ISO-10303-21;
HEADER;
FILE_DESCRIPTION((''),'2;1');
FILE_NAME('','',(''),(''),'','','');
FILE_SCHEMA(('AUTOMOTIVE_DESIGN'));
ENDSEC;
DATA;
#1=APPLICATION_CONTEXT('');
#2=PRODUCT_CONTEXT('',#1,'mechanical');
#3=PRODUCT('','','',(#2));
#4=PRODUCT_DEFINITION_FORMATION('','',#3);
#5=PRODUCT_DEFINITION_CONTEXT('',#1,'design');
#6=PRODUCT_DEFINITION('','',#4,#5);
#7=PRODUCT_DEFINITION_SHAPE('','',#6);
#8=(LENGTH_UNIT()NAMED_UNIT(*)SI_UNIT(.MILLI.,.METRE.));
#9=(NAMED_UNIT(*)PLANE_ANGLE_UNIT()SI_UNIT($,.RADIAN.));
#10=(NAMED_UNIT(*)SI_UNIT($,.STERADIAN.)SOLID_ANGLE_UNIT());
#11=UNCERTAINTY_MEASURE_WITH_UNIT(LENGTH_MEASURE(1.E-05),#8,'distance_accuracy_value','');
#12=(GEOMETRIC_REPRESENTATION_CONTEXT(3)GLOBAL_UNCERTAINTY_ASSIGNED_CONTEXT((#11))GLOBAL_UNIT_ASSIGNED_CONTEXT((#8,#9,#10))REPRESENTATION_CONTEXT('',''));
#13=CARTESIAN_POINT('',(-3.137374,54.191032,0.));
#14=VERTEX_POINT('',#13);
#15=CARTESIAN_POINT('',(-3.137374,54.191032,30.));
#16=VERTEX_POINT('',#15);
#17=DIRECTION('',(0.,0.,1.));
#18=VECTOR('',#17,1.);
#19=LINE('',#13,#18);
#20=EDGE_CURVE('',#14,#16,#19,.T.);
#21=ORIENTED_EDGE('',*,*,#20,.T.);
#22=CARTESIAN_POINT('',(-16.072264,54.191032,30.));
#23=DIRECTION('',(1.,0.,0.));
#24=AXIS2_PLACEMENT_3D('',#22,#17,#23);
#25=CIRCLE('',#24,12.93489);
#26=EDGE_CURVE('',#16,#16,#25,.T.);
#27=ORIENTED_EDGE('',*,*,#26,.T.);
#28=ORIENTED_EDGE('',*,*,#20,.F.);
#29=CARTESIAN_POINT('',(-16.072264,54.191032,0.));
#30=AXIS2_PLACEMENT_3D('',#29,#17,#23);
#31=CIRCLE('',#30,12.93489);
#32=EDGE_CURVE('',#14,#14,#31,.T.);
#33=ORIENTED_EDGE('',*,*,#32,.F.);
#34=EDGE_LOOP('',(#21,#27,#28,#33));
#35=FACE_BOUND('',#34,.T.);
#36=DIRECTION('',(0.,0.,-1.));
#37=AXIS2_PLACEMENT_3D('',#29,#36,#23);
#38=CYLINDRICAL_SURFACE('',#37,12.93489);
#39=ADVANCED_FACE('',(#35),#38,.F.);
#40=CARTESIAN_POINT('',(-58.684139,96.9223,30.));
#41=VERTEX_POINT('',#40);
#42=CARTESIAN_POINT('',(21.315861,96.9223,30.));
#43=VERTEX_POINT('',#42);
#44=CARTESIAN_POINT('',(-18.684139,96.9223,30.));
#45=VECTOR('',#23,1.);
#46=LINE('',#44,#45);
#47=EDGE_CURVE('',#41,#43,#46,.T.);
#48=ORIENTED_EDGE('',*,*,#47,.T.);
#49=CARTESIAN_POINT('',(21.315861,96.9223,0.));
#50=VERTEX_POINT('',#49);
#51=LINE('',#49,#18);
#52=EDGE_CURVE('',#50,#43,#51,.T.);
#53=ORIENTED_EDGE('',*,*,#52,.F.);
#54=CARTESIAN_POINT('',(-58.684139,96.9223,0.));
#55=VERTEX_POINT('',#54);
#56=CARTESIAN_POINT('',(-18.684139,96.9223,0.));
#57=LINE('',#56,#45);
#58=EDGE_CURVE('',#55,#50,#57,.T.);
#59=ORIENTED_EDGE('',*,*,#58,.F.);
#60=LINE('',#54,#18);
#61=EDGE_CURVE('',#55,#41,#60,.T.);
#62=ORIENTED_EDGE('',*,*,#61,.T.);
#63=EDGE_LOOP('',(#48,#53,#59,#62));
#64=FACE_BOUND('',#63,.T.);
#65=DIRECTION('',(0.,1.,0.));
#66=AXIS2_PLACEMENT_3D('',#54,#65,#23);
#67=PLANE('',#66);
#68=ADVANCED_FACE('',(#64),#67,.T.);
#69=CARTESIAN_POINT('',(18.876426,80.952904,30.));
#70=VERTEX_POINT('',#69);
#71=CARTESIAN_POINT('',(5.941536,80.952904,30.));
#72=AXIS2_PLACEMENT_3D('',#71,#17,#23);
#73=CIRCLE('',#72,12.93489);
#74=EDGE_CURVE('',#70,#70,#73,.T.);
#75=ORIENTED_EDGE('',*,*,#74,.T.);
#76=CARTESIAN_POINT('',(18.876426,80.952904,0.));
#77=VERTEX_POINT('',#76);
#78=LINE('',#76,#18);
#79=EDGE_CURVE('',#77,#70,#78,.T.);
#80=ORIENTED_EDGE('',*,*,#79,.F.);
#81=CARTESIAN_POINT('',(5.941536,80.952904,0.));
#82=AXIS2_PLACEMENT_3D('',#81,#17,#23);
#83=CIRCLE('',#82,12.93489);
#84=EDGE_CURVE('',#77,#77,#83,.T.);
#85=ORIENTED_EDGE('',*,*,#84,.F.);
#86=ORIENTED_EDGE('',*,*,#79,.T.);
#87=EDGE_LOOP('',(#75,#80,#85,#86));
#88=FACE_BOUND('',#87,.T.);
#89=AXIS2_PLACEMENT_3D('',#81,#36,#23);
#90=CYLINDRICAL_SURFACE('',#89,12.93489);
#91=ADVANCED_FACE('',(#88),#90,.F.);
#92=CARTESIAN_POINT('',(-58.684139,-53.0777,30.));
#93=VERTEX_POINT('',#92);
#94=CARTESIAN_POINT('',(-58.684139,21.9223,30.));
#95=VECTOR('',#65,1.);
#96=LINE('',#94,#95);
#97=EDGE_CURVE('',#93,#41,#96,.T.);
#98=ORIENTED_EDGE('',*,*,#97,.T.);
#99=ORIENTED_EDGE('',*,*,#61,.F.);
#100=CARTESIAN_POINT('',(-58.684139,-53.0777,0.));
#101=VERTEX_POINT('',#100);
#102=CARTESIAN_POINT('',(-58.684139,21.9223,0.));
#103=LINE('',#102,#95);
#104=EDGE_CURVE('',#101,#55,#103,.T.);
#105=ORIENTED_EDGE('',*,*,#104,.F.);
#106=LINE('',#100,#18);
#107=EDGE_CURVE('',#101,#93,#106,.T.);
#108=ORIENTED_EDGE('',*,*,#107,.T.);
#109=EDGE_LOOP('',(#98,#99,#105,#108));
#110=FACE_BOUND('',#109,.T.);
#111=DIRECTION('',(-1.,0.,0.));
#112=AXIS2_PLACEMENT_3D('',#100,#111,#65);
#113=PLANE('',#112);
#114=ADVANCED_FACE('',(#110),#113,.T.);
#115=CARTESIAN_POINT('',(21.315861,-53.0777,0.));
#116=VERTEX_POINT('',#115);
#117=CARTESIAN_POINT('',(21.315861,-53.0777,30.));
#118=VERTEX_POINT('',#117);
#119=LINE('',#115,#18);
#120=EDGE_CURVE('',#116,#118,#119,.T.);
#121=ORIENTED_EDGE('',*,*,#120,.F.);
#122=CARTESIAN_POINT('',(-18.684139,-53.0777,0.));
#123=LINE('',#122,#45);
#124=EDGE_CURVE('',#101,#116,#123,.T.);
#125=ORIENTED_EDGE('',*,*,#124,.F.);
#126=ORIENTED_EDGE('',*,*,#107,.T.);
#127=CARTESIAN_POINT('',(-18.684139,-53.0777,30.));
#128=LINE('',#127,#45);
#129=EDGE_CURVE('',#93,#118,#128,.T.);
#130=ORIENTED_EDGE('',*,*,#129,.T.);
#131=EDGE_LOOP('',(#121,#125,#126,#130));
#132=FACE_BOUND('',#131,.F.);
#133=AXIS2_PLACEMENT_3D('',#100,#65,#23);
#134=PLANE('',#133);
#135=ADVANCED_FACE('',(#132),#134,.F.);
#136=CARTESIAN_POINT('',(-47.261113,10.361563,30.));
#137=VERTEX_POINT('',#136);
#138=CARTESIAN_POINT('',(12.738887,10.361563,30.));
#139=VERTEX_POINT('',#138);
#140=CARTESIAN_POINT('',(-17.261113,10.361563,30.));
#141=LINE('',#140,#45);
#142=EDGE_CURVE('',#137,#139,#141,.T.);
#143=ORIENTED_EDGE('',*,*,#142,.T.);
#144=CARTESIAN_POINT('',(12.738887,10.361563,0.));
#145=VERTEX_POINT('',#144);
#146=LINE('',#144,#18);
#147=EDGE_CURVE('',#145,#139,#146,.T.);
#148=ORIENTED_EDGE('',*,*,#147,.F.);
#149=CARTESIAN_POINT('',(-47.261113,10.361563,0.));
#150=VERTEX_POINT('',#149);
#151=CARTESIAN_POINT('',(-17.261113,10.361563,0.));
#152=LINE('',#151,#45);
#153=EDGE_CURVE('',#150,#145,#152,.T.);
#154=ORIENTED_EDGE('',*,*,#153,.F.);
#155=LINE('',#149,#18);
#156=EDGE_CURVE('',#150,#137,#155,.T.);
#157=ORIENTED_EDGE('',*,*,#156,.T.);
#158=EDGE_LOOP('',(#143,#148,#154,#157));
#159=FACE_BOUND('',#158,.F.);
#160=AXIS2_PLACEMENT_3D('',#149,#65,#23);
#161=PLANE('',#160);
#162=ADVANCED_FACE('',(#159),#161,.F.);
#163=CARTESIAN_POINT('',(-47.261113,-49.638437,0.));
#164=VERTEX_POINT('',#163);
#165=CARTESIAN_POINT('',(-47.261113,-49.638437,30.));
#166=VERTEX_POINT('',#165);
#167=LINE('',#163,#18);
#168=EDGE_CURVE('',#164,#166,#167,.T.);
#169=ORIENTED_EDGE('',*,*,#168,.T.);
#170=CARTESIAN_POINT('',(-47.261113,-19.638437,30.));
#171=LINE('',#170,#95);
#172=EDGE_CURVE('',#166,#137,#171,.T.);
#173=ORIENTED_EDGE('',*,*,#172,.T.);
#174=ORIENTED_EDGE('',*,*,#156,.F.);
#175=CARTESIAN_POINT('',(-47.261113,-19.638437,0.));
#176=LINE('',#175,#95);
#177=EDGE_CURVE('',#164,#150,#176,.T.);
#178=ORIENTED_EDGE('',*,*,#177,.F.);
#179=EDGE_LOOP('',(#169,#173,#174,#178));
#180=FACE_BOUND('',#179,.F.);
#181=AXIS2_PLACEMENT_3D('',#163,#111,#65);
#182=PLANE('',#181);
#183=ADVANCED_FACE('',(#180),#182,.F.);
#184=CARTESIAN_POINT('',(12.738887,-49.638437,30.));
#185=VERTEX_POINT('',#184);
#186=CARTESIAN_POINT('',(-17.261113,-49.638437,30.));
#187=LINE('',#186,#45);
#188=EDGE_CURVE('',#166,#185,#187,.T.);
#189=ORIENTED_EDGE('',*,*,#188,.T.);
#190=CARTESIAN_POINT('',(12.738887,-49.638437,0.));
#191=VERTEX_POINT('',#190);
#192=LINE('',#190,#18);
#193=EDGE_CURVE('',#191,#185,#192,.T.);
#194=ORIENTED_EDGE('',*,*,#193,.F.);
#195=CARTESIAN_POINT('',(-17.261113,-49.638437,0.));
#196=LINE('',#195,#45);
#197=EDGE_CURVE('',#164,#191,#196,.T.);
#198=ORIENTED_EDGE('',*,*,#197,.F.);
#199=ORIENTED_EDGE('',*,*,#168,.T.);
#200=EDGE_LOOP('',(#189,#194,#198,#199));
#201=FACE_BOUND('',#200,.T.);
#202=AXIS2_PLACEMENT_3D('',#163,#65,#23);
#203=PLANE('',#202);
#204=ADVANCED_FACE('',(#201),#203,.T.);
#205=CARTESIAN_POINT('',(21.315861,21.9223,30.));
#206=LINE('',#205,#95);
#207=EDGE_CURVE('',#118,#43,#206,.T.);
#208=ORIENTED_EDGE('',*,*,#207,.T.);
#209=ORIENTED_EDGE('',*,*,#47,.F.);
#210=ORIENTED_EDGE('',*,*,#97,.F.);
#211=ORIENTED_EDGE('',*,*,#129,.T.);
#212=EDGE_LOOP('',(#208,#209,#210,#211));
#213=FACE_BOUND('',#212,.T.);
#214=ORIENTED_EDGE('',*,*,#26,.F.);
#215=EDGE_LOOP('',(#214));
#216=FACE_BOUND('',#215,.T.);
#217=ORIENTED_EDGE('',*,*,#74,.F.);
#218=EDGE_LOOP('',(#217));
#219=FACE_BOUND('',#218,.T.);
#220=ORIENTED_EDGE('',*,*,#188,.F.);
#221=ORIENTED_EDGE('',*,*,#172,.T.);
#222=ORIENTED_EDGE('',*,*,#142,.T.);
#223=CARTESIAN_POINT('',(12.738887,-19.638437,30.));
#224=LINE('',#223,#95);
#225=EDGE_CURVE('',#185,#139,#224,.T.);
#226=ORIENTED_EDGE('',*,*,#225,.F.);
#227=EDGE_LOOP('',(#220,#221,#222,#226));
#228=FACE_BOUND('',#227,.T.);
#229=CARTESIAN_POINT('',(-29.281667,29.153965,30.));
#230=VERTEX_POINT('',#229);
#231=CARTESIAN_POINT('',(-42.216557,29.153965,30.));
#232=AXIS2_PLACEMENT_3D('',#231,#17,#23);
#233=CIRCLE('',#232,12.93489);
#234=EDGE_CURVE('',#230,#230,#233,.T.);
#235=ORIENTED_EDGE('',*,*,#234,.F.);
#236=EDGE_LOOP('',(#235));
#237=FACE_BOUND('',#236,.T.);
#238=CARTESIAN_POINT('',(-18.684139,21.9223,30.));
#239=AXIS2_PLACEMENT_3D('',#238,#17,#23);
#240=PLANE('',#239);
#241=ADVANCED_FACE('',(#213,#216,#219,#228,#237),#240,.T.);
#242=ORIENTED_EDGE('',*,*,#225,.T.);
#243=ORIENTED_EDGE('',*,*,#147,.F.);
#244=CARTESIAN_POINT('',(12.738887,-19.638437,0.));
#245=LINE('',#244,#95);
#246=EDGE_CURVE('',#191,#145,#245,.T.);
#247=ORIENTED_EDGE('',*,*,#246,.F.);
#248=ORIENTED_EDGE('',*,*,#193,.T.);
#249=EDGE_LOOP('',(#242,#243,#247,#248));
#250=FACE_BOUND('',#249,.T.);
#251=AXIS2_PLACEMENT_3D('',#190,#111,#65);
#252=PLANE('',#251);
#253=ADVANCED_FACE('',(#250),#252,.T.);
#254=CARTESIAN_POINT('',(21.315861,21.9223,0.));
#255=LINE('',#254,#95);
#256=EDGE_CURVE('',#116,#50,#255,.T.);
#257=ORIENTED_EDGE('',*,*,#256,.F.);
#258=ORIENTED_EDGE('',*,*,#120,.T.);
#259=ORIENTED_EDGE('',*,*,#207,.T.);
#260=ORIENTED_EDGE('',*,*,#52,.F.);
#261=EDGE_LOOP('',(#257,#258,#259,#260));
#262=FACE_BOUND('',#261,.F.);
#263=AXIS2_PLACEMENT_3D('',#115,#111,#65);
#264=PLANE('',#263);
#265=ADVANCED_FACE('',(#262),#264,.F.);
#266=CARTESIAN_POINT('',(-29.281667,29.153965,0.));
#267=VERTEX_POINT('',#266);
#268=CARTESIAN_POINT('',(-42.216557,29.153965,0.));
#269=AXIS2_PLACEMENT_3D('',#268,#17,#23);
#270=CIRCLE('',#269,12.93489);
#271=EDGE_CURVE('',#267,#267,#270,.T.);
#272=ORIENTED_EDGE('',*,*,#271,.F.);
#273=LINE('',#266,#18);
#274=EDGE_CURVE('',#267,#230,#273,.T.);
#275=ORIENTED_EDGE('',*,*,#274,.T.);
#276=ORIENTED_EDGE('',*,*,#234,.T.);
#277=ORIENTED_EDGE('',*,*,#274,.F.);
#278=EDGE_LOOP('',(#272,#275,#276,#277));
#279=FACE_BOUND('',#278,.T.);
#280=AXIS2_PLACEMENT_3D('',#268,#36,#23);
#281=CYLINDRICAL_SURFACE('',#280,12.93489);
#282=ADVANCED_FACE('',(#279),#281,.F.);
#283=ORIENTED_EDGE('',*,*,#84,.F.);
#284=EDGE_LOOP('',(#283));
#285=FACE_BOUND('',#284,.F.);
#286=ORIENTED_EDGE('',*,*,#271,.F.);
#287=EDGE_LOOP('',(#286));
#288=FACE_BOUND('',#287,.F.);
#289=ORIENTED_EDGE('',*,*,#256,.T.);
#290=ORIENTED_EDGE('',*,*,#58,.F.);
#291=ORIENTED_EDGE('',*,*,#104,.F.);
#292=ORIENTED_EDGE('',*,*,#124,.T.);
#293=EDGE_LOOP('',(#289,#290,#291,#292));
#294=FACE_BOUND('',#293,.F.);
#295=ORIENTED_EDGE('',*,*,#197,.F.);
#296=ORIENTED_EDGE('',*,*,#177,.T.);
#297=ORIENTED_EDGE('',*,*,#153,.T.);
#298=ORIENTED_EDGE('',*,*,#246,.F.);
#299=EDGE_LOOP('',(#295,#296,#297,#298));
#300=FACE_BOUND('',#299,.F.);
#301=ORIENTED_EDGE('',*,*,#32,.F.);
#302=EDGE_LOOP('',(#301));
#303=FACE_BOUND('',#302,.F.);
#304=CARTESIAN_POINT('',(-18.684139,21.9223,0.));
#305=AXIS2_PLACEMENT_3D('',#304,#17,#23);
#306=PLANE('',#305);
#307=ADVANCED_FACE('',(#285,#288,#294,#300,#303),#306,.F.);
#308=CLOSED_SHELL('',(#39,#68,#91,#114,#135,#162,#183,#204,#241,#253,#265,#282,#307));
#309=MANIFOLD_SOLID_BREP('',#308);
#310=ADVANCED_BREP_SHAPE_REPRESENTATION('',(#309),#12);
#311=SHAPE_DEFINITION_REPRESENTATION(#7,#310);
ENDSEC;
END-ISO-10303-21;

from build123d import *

# Parameters (mm, degrees)
SKETCH_W   = 80
SKETCH_H   = 150
SKETCH_R   = 12.93489
SKETCH_W_2 = 60
SKETCH_H_2 = 60
PAD_DEPTH  = 30


with BuildPart() as part:
    # Sketch → Pad (new body)
    with BuildSketch(Plane.XY):
        with Locations((-18.684139, 21.9223)):
            Rectangle(SKETCH_W, SKETCH_H)
        with Locations((-42.216557, 29.153965)):
            Circle(SKETCH_R, mode=Mode.SUBTRACT)
        with Locations((-16.072264, 54.191032)):
            Circle(SKETCH_R, mode=Mode.SUBTRACT)
        with Locations((5.941536, 80.952904)):
            Circle(SKETCH_R, mode=Mode.SUBTRACT)
        with Locations((-17.261113, -19.638437)):
            Rectangle(SKETCH_W_2, SKETCH_H_2, mode=Mode.SUBTRACT)
    extrude(amount=PAD_DEPTH)


solid = part.part
